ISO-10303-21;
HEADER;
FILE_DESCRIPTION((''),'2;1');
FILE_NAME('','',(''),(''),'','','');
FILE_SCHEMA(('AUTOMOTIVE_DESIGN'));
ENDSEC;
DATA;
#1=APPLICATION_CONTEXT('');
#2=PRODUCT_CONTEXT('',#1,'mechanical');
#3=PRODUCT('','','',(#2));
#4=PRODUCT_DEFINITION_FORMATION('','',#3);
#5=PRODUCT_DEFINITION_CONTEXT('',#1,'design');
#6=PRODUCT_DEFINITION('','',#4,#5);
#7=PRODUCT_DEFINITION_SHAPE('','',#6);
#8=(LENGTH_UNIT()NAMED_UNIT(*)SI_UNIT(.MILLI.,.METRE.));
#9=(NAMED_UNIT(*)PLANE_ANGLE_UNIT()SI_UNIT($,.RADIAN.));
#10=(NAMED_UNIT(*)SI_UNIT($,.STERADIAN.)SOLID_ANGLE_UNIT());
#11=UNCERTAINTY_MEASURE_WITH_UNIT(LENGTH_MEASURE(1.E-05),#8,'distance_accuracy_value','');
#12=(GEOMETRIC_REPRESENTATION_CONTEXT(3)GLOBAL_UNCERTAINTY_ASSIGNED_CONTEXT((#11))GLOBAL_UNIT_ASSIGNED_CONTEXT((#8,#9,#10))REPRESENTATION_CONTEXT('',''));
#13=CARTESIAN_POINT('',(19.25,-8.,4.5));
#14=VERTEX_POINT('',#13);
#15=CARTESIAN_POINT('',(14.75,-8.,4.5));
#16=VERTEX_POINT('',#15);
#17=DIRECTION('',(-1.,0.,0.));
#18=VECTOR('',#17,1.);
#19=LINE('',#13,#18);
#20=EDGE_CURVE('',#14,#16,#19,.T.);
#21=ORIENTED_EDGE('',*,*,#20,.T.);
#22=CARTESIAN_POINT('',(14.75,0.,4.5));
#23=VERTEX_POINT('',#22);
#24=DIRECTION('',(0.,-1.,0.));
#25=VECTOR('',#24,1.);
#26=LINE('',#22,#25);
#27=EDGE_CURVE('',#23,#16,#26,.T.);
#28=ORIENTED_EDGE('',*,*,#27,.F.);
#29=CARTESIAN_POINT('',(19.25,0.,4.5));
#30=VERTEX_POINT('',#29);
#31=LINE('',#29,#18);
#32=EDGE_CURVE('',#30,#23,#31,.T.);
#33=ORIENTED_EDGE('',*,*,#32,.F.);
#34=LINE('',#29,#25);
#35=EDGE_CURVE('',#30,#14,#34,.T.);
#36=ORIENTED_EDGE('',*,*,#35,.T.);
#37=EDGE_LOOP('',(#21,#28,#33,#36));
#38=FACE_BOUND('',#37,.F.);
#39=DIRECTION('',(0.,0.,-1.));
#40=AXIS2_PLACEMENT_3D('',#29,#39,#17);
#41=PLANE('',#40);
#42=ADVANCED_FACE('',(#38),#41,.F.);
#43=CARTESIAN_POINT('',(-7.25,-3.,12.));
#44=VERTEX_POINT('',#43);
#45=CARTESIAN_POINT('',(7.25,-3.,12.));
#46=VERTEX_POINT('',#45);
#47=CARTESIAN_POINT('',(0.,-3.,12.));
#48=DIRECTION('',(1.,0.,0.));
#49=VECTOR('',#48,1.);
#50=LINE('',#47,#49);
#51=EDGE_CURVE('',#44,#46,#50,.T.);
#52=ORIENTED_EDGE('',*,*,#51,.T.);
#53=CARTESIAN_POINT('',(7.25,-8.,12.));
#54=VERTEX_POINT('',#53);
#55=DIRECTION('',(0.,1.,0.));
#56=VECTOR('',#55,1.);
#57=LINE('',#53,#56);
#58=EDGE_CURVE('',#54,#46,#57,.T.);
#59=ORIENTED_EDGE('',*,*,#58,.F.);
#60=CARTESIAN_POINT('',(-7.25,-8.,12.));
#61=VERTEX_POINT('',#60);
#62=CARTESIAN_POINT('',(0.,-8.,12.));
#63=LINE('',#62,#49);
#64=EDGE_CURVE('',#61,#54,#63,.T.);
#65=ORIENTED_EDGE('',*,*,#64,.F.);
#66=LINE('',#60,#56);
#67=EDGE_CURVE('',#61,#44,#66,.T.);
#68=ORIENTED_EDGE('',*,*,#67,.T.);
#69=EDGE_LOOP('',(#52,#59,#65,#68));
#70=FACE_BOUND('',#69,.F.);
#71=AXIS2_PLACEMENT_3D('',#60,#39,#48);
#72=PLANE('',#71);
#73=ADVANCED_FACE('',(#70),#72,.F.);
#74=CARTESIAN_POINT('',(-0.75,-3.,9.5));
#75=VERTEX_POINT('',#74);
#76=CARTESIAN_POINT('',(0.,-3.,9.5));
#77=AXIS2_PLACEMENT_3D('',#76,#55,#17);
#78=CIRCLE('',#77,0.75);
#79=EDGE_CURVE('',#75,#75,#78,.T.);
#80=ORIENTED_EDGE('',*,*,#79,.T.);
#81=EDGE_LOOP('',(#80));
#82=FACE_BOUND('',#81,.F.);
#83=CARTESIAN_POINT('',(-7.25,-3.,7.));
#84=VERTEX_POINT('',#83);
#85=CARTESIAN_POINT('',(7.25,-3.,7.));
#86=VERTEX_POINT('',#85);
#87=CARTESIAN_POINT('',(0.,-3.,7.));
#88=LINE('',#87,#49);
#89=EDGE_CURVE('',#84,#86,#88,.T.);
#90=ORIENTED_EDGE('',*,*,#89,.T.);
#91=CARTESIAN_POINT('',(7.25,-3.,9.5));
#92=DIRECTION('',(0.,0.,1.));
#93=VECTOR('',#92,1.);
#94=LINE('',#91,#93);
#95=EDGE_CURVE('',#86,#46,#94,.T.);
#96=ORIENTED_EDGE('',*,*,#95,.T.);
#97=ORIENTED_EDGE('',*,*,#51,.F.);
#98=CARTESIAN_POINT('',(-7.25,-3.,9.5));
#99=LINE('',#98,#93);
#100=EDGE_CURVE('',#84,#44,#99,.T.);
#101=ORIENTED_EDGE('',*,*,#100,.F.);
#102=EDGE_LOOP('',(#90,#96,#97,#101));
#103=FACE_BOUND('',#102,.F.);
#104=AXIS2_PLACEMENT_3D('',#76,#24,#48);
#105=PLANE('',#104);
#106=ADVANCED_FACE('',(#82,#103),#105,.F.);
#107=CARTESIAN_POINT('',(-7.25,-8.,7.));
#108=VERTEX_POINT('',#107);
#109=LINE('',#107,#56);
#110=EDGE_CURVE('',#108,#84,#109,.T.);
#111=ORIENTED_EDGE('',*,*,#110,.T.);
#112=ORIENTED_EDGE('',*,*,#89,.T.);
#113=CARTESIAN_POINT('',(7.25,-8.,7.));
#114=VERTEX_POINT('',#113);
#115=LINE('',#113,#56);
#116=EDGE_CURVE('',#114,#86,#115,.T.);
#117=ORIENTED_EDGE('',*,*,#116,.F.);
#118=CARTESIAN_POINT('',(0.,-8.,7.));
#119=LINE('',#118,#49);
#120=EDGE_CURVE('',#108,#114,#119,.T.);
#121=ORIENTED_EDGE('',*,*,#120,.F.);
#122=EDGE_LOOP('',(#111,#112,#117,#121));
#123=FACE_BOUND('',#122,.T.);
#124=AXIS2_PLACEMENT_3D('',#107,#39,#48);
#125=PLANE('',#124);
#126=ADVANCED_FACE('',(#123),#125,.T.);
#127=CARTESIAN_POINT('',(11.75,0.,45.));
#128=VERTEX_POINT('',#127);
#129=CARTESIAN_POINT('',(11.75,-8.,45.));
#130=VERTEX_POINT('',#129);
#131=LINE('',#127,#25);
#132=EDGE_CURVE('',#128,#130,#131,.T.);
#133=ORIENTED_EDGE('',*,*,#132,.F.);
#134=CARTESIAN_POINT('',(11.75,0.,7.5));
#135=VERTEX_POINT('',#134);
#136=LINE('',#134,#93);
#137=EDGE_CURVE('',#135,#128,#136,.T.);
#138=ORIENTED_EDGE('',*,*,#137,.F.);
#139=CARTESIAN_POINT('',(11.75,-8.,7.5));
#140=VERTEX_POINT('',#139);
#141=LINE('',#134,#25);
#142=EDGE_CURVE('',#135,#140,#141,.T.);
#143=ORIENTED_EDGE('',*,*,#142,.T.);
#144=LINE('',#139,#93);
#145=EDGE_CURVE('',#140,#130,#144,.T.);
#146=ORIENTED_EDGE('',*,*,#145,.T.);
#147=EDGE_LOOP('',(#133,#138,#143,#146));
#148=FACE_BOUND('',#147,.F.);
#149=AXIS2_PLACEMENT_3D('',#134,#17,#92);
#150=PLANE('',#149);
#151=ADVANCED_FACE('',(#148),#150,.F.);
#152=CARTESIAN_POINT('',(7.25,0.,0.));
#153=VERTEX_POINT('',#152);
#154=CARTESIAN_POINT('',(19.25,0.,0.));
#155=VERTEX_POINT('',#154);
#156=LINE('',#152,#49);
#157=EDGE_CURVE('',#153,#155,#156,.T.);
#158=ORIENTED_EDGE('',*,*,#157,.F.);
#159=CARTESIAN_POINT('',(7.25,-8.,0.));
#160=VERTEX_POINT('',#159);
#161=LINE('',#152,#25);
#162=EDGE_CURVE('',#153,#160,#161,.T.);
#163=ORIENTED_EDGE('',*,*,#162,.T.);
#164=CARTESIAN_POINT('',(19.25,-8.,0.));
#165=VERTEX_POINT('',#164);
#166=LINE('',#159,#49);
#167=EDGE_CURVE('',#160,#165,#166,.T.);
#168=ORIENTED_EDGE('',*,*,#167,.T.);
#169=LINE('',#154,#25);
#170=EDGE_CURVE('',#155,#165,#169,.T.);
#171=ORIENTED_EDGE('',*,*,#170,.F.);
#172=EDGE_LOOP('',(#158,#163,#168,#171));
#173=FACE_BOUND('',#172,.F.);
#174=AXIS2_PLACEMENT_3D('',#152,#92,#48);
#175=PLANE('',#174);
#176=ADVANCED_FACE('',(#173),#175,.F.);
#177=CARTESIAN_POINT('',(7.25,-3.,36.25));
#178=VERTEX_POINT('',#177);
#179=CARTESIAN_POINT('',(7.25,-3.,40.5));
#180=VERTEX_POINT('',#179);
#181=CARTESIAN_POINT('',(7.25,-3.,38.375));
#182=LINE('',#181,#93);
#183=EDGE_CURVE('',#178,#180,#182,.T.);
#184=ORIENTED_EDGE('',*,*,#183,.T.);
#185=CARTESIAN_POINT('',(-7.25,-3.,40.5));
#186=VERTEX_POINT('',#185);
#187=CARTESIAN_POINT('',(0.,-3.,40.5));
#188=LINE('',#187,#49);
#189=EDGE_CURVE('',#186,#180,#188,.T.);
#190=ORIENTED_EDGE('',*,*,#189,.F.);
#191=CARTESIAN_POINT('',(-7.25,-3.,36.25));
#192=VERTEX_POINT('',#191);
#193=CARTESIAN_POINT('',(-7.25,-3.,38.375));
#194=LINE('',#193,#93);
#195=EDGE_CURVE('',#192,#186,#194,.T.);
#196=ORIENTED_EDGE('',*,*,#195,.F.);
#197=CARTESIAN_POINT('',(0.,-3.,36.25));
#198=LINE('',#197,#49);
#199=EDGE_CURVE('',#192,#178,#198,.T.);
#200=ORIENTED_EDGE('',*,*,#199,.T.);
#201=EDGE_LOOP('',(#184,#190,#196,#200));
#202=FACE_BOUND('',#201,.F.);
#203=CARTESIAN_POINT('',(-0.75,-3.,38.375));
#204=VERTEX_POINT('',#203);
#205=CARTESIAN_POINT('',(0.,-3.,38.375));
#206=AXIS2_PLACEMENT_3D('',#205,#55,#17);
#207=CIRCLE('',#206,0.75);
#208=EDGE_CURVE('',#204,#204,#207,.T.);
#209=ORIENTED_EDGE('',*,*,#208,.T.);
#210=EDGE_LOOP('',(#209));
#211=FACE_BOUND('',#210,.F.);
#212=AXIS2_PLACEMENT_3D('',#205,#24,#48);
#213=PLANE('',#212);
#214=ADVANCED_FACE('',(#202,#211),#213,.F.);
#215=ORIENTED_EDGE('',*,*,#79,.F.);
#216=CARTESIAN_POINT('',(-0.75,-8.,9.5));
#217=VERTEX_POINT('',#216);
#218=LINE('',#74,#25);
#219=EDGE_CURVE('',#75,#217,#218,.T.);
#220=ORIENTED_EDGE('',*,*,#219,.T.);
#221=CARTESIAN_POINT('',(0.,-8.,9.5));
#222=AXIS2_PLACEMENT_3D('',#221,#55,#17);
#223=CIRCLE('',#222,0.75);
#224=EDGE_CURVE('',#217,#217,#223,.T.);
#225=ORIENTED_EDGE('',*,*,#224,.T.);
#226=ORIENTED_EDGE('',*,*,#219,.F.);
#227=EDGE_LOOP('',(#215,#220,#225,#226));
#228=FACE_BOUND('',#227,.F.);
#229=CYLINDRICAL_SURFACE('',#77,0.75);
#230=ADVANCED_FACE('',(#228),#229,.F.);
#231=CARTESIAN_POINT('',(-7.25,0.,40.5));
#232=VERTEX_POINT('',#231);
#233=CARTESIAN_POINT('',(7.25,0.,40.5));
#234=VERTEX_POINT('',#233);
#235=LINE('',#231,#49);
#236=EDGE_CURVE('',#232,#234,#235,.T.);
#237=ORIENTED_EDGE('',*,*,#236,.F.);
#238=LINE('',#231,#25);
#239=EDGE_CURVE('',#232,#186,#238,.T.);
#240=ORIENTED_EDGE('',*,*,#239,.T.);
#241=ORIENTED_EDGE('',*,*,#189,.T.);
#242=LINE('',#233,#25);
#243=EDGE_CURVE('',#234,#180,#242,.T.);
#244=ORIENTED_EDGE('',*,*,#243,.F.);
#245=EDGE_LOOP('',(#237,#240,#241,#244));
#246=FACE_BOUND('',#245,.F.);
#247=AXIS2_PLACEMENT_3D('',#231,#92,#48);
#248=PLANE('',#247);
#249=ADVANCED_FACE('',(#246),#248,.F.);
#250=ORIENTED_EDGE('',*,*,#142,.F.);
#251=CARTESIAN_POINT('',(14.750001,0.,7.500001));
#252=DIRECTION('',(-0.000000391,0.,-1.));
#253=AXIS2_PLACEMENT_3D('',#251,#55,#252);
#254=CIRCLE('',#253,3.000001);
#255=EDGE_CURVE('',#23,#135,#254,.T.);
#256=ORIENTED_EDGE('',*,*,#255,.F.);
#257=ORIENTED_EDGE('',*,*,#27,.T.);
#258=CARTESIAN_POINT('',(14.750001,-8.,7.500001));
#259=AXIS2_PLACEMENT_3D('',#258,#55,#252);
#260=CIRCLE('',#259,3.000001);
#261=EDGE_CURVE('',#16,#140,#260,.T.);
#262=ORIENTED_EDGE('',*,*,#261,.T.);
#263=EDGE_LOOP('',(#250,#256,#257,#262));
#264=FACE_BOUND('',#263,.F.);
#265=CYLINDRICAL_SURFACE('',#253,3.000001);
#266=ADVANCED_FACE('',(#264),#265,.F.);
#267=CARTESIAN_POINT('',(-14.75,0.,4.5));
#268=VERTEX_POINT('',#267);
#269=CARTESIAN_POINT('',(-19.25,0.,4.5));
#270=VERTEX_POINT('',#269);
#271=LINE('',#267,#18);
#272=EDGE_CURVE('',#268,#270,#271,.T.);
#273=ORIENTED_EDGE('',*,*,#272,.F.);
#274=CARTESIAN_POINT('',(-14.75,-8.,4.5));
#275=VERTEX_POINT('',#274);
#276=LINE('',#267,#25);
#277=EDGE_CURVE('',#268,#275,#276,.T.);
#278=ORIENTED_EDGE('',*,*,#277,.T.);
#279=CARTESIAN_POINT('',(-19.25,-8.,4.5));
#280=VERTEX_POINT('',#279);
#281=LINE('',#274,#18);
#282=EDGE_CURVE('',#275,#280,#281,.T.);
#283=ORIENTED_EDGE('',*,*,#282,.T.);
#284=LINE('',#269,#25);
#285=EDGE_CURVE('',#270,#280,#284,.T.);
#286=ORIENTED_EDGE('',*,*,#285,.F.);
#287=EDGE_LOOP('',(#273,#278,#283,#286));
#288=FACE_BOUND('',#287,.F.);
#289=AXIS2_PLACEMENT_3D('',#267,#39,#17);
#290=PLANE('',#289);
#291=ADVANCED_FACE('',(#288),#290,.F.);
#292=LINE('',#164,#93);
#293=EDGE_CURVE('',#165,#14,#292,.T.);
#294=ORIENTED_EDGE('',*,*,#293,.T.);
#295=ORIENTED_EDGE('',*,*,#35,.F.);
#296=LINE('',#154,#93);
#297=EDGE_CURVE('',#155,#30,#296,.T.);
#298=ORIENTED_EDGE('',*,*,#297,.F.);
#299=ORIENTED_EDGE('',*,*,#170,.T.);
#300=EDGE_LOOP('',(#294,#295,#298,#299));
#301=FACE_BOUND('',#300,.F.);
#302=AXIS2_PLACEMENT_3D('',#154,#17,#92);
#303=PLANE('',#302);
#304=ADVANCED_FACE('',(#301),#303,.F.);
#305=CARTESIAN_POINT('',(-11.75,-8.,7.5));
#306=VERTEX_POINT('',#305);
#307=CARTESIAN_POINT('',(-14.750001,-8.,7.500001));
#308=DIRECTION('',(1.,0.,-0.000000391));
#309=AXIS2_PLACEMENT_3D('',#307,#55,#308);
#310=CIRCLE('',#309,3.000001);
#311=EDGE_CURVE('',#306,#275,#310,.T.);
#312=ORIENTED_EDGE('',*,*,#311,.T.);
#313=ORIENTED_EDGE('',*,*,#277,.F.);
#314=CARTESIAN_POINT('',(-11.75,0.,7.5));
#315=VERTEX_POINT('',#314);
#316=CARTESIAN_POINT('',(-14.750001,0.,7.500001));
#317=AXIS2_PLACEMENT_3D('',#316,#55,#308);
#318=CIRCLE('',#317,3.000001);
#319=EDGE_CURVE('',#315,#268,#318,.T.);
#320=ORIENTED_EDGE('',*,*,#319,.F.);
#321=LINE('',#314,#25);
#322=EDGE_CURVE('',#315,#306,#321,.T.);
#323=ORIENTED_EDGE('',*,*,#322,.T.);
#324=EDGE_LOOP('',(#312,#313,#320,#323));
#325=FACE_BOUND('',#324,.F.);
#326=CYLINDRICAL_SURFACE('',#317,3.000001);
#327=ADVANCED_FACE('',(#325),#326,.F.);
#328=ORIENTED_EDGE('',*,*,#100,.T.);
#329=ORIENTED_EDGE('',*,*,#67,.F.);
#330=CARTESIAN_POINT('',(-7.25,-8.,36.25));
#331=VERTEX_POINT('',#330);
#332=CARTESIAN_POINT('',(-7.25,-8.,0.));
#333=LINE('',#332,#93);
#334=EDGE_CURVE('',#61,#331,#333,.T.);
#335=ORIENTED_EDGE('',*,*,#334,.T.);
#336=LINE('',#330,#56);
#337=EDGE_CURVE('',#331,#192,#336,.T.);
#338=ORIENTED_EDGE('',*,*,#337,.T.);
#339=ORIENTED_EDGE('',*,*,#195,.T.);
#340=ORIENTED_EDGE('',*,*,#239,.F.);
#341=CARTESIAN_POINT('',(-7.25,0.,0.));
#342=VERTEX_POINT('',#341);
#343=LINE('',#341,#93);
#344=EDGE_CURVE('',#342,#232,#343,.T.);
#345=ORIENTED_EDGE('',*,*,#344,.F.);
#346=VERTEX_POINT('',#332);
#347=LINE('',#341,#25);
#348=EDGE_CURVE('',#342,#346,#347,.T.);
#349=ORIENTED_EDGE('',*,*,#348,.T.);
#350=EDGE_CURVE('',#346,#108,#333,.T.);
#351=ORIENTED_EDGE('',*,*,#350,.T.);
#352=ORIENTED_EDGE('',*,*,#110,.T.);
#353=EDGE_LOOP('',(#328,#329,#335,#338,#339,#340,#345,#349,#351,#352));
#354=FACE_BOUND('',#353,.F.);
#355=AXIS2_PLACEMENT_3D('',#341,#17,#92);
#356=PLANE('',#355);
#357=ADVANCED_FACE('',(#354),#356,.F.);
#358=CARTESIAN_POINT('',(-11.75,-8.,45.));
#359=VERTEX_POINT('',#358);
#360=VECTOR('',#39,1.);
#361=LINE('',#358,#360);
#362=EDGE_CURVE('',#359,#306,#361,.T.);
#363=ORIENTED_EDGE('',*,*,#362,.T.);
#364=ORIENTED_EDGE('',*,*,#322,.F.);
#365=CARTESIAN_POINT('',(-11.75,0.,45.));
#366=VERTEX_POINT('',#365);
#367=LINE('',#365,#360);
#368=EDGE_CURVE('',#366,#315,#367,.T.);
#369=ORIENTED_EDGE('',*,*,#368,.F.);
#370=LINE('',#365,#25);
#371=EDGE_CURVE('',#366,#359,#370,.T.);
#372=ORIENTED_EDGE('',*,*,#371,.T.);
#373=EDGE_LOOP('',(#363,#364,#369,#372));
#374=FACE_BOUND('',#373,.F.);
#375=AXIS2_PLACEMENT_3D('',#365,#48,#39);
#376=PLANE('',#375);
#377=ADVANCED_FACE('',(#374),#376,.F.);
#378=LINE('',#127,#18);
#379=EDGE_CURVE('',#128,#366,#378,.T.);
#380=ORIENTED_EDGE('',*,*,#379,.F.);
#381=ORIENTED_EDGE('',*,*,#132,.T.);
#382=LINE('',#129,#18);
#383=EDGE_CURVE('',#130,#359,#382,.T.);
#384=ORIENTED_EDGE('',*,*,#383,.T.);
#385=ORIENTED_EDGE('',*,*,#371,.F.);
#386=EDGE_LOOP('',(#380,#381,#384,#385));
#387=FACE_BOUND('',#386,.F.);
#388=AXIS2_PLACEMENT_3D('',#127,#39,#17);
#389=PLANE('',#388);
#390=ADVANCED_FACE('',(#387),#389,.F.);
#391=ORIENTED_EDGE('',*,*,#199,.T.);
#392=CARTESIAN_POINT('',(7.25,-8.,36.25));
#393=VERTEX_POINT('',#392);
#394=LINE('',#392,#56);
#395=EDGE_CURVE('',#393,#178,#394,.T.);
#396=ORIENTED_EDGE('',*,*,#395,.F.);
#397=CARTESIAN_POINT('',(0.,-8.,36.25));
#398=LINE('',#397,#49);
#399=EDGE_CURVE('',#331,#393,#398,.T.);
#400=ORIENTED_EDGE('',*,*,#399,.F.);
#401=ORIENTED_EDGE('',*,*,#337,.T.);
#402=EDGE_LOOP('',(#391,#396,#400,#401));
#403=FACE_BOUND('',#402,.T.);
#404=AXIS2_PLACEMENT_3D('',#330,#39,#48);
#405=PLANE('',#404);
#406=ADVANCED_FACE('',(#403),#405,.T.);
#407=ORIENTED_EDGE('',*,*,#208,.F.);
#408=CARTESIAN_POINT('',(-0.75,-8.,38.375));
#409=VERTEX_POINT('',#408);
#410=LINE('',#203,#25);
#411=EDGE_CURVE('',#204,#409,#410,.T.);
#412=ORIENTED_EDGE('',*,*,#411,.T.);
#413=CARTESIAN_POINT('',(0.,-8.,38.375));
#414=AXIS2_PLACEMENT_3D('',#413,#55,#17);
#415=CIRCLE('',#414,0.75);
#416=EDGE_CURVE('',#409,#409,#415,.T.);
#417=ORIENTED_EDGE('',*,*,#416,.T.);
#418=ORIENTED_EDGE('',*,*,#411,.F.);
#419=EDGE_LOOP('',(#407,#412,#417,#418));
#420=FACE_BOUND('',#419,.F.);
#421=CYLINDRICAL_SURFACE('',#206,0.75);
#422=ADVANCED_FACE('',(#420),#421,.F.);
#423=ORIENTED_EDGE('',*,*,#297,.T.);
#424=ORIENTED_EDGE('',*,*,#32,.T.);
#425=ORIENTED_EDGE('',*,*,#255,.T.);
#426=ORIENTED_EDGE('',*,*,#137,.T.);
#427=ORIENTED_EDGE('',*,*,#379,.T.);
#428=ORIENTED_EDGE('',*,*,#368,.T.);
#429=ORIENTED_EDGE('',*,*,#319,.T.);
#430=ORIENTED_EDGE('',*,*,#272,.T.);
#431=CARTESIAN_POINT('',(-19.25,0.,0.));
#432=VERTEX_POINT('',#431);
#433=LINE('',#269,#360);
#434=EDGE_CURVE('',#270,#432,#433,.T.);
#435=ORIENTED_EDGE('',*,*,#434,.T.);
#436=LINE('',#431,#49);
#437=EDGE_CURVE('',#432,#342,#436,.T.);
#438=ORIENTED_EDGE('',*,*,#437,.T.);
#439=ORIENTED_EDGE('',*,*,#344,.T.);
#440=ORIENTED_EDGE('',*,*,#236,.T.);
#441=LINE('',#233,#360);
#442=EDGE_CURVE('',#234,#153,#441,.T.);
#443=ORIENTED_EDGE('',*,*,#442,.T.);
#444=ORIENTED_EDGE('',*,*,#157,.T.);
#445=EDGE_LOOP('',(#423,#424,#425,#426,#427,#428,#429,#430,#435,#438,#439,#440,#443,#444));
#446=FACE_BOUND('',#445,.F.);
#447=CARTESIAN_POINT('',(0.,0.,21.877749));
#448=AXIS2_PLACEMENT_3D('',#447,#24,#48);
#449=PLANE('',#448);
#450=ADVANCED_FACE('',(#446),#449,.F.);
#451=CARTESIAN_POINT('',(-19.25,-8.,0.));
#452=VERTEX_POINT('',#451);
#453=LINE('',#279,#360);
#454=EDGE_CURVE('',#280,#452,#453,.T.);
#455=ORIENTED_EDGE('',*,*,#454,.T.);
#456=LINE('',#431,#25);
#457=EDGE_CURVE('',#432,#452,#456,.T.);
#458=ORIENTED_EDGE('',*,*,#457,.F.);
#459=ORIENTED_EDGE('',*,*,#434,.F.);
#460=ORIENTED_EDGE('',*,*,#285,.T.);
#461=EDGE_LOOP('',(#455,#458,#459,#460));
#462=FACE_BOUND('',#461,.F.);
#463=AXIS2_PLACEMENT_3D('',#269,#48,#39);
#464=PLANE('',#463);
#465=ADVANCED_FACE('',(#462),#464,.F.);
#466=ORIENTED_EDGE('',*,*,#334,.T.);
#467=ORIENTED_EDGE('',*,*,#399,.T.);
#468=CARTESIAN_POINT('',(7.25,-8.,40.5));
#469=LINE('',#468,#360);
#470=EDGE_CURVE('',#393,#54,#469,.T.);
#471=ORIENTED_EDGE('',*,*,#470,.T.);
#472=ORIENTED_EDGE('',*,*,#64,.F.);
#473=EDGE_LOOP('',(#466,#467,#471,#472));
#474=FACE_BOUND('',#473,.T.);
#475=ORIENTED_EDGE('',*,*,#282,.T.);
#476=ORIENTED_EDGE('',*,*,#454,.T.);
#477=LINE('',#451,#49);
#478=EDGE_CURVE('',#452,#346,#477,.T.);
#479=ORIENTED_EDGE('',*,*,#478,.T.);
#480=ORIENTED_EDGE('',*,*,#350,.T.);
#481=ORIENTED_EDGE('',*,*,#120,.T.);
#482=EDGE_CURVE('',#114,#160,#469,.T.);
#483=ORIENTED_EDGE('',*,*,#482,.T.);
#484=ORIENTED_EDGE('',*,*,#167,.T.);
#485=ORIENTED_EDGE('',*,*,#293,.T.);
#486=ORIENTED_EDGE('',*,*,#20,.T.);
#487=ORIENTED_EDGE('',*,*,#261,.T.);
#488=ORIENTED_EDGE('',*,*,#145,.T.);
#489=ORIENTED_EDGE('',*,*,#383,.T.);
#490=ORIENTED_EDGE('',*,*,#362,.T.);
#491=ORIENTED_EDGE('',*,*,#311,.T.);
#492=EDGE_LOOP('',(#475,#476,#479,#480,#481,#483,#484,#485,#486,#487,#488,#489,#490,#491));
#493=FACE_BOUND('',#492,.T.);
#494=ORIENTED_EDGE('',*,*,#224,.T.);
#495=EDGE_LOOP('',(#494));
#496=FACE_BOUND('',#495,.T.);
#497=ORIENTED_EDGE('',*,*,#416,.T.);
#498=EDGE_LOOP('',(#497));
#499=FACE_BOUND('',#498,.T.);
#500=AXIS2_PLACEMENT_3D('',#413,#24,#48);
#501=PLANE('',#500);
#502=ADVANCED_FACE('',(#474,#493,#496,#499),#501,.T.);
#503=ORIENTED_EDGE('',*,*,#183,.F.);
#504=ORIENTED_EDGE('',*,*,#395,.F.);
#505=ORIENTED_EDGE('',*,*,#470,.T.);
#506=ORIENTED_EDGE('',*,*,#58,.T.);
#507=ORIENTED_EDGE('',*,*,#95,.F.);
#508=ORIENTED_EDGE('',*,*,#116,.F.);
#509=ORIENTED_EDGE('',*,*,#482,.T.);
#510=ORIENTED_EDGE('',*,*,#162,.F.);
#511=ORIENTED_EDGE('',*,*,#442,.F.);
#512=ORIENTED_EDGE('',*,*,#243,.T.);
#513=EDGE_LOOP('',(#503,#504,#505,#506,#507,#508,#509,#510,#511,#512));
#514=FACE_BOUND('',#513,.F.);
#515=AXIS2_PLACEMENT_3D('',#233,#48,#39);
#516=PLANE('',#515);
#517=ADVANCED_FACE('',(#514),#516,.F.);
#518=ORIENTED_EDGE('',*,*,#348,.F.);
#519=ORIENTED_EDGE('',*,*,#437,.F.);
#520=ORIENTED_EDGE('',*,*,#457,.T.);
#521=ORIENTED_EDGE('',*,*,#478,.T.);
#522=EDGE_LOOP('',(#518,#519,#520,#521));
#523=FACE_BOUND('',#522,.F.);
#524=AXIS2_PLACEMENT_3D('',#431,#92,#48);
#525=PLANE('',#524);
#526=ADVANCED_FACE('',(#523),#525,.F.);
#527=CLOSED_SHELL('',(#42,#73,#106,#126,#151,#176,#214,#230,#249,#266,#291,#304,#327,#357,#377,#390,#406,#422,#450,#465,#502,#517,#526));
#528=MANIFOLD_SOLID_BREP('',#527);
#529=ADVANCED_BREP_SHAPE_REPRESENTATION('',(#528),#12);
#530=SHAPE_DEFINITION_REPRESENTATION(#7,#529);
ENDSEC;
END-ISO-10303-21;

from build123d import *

# Parameters (mm, degrees)
F1_DEPTH = 8
F2_W     = 14.5
F2_H     = 4.25
F2_H_2   = 5
F3_DEPTH = 5
F4_R     = 0.75
F5_DEPTH = 5.001


with BuildPart() as f1:
    # F0 (on Front) → F1 (new body)
    with BuildSketch(Plane.XZ):
        with BuildLine():
            Line((-19.25, 4.5), (-19.25, 0))
            Line((-19.25, 0), (-7.25, 0))
            Line((-7.25, 0), (-7.25, 40.5))
            Line((-7.25, 40.5), (7.25, 40.5))
            Line((7.25, 40.5), (7.25, 0))
            Line((7.25, 0), (19.25, 0))
            Line((19.25, 0), (19.25, 4.5))
            Line((19.25, 4.5), (14.75, 4.5))
            ThreePointArc((14.75, 4.5), (12.62868, 5.37868), (11.75, 7.5))
            Line((11.75, 7.5), (11.75, 45))
            Line((11.75, 45), (-11.75, 45))
            Line((-11.75, 45), (-11.75, 7.5))
            ThreePointArc((-11.75, 7.5), (-12.62868, 5.37868), (-14.75, 4.5))
            Line((-14.75, 4.5), (-19.25, 4.5))
        make_face()
    extrude(amount=F1_DEPTH)

    # F2 (on face) → F3 (join)
    with BuildSketch(Plane.XZ.offset(8)):
        with Locations((0, 38.375)):
            Rectangle(F2_W, F2_H)
        with Locations((0, 9.5)):
            Rectangle(F2_W, F2_H_2)
    extrude(amount=-F3_DEPTH)

    # F4 (on face) → F5 (cut, through all)
    with BuildSketch(Plane(origin=(0, -3, 0), x_dir=(-1, 0, 0), z_dir=(0, 1, 0))):
        with Locations((0, 38.375)):
            Circle(F4_R)
        with Locations((0, 9.5)):
            Circle(F4_R)
    extrude(amount=-F5_DEPTH, mode=Mode.SUBTRACT)


solid = f1.part
